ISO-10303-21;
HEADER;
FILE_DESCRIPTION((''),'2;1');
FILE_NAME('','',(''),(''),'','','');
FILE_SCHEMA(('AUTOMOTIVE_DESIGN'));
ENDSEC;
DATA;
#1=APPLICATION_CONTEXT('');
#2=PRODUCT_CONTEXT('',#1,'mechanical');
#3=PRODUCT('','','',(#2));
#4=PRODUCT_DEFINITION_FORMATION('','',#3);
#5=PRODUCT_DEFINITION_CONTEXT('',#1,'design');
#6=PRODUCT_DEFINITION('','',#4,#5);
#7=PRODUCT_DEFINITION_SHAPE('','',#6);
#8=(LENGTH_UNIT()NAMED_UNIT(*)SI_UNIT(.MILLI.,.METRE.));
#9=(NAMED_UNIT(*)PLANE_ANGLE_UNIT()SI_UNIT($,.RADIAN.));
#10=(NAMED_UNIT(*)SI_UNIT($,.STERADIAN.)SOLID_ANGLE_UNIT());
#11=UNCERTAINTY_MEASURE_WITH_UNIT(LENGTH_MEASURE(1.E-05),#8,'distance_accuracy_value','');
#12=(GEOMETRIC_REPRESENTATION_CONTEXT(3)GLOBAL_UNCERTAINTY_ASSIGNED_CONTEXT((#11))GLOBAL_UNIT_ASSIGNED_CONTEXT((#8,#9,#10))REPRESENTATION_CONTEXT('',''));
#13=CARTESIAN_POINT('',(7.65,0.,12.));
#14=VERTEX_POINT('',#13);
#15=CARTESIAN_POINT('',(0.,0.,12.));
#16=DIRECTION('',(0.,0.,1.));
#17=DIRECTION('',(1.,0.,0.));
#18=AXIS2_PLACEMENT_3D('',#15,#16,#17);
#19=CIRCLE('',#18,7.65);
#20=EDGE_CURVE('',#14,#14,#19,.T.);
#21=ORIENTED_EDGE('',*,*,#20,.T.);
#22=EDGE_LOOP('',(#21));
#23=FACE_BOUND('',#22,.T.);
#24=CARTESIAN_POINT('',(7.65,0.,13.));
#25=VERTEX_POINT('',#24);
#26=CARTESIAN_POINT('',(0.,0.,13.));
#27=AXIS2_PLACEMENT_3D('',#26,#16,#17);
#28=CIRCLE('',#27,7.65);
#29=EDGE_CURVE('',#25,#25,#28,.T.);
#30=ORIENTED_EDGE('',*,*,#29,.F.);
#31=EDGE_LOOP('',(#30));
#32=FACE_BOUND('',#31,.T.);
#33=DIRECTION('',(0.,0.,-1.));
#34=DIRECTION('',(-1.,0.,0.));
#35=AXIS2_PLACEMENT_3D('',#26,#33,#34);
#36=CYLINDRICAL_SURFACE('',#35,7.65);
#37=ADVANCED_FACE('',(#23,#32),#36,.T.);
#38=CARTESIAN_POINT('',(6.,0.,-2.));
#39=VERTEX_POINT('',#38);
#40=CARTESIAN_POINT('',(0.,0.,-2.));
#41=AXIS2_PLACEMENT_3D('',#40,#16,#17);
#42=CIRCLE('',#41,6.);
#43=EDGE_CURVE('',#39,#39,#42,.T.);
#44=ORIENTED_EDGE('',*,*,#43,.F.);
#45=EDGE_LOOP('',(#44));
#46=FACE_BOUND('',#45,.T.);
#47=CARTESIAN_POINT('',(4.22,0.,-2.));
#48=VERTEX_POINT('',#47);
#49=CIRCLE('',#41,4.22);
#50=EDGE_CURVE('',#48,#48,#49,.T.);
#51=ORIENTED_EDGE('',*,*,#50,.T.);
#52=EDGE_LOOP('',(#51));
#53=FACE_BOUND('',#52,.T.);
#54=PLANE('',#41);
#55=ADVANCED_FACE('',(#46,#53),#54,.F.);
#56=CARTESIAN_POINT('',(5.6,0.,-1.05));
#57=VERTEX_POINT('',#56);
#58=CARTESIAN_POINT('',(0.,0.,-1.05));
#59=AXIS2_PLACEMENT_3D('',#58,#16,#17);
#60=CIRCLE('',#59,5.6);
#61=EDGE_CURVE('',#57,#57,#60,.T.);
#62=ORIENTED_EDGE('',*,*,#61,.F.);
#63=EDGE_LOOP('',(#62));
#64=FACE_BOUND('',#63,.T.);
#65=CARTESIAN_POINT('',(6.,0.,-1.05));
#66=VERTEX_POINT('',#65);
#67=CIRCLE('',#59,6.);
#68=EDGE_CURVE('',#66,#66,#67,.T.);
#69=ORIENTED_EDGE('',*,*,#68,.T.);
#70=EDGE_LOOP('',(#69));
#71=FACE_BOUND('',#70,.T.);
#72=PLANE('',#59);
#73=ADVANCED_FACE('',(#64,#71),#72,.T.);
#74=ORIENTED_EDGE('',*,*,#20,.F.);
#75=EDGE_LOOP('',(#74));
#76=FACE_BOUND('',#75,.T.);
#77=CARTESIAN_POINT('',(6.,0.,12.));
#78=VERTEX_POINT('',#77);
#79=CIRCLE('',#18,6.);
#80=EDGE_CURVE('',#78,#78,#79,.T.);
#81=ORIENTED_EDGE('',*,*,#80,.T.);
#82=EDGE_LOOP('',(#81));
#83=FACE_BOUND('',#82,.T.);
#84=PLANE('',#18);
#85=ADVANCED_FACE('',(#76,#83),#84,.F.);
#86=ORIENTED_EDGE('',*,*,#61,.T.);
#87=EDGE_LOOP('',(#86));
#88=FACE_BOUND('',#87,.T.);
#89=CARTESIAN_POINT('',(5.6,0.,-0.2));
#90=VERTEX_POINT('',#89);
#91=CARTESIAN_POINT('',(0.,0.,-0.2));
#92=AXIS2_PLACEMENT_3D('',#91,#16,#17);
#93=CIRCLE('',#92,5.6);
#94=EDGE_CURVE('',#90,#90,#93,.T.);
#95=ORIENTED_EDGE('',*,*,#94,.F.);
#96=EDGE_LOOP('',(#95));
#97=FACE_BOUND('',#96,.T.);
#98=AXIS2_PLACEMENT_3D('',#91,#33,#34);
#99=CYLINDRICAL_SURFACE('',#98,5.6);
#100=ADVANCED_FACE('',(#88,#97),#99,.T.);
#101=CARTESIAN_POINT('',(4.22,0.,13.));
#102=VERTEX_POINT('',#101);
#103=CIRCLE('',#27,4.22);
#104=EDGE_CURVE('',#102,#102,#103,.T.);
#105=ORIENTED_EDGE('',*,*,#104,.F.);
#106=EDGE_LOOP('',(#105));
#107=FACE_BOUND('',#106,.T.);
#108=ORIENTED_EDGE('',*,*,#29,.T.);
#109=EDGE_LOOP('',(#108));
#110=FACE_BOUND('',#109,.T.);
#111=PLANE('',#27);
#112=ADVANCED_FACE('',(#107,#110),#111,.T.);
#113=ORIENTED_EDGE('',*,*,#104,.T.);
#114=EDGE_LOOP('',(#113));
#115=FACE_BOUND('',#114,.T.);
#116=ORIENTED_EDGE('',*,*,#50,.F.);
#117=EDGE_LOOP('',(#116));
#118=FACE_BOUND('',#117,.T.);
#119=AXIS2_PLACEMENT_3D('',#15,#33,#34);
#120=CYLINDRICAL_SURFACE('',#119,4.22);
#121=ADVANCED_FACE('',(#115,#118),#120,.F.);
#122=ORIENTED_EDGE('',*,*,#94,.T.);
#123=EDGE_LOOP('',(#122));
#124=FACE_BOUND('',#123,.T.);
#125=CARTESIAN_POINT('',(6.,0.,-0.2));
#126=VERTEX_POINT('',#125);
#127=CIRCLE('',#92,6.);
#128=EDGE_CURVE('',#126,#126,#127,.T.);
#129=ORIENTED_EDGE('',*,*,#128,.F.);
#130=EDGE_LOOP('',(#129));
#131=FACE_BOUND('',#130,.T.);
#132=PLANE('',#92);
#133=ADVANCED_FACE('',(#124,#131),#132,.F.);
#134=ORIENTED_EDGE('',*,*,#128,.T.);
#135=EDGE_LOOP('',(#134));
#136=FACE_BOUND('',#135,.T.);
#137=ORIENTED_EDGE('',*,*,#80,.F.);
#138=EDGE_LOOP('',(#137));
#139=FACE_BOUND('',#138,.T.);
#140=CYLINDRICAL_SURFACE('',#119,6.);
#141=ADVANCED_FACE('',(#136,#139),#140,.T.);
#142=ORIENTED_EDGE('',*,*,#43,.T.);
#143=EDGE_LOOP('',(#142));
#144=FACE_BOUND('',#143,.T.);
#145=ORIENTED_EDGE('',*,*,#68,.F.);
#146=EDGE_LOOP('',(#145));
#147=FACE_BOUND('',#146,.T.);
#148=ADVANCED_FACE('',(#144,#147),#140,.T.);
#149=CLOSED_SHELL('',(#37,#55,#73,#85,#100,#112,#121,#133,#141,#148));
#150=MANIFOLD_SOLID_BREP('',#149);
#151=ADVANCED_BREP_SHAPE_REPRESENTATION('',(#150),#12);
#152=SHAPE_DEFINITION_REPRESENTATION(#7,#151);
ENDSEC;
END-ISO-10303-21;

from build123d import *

# Parameters (mm, degrees)
F_01_START                                = -2
S01_GROUND_GUIDE_BORE_AND_BODY_R          = 6
S01_GROUND_GUIDE_BORE_AND_BODY_R_2        = 4.22
F_01_GROUND_GUIDE_BORE_AND_BODY_DEPTH     = 14
F_02_START                                = 12
S02_OUTBOARD_FLANGE_R                     = 7.65
S02_OUTBOARD_FLANGE_R_2                   = 4.22
F_02_OUTBOARD_FLANGE_DEPTH                = 1
F_03_START                                = -1.05
S03_EXTERNAL_RETAINING_RING_GROOVE_R      = 6.1
S03_EXTERNAL_RETAINING_RING_GROOVE_R_2    = 5.6
F_03_EXTERNAL_RETAINING_RING_GROOVE_DEPTH = 0.85


with BuildPart() as part:
    # S01 - Ground guide bore and body → 01 - Ground guide bore and body (new body)
    with BuildSketch(Plane.XY.offset(F_01_START)):
        Circle(S01_GROUND_GUIDE_BORE_AND_BODY_R)
        Circle(S01_GROUND_GUIDE_BORE_AND_BODY_R_2, mode=Mode.SUBTRACT)
    extrude(amount=F_01_GROUND_GUIDE_BORE_AND_BODY_DEPTH)

    # S02 - Outboard flange → 02 - Outboard flange (add)
    with BuildSketch(Plane.XY.offset(F_02_START)):
        Circle(S02_OUTBOARD_FLANGE_R)
        Circle(S02_OUTBOARD_FLANGE_R_2, mode=Mode.SUBTRACT)
    extrude(amount=F_02_OUTBOARD_FLANGE_DEPTH)

    # S03 - External retaining ring groove → 03 - External retaining ring groove (cut)
    with BuildSketch(Plane.XY.offset(F_03_START)):
        Circle(S03_EXTERNAL_RETAINING_RING_GROOVE_R)
        Circle(S03_EXTERNAL_RETAINING_RING_GROOVE_R_2, mode=Mode.SUBTRACT)
    extrude(amount=F_03_EXTERNAL_RETAINING_RING_GROOVE_DEPTH, mode=Mode.SUBTRACT)


solid = part.part
